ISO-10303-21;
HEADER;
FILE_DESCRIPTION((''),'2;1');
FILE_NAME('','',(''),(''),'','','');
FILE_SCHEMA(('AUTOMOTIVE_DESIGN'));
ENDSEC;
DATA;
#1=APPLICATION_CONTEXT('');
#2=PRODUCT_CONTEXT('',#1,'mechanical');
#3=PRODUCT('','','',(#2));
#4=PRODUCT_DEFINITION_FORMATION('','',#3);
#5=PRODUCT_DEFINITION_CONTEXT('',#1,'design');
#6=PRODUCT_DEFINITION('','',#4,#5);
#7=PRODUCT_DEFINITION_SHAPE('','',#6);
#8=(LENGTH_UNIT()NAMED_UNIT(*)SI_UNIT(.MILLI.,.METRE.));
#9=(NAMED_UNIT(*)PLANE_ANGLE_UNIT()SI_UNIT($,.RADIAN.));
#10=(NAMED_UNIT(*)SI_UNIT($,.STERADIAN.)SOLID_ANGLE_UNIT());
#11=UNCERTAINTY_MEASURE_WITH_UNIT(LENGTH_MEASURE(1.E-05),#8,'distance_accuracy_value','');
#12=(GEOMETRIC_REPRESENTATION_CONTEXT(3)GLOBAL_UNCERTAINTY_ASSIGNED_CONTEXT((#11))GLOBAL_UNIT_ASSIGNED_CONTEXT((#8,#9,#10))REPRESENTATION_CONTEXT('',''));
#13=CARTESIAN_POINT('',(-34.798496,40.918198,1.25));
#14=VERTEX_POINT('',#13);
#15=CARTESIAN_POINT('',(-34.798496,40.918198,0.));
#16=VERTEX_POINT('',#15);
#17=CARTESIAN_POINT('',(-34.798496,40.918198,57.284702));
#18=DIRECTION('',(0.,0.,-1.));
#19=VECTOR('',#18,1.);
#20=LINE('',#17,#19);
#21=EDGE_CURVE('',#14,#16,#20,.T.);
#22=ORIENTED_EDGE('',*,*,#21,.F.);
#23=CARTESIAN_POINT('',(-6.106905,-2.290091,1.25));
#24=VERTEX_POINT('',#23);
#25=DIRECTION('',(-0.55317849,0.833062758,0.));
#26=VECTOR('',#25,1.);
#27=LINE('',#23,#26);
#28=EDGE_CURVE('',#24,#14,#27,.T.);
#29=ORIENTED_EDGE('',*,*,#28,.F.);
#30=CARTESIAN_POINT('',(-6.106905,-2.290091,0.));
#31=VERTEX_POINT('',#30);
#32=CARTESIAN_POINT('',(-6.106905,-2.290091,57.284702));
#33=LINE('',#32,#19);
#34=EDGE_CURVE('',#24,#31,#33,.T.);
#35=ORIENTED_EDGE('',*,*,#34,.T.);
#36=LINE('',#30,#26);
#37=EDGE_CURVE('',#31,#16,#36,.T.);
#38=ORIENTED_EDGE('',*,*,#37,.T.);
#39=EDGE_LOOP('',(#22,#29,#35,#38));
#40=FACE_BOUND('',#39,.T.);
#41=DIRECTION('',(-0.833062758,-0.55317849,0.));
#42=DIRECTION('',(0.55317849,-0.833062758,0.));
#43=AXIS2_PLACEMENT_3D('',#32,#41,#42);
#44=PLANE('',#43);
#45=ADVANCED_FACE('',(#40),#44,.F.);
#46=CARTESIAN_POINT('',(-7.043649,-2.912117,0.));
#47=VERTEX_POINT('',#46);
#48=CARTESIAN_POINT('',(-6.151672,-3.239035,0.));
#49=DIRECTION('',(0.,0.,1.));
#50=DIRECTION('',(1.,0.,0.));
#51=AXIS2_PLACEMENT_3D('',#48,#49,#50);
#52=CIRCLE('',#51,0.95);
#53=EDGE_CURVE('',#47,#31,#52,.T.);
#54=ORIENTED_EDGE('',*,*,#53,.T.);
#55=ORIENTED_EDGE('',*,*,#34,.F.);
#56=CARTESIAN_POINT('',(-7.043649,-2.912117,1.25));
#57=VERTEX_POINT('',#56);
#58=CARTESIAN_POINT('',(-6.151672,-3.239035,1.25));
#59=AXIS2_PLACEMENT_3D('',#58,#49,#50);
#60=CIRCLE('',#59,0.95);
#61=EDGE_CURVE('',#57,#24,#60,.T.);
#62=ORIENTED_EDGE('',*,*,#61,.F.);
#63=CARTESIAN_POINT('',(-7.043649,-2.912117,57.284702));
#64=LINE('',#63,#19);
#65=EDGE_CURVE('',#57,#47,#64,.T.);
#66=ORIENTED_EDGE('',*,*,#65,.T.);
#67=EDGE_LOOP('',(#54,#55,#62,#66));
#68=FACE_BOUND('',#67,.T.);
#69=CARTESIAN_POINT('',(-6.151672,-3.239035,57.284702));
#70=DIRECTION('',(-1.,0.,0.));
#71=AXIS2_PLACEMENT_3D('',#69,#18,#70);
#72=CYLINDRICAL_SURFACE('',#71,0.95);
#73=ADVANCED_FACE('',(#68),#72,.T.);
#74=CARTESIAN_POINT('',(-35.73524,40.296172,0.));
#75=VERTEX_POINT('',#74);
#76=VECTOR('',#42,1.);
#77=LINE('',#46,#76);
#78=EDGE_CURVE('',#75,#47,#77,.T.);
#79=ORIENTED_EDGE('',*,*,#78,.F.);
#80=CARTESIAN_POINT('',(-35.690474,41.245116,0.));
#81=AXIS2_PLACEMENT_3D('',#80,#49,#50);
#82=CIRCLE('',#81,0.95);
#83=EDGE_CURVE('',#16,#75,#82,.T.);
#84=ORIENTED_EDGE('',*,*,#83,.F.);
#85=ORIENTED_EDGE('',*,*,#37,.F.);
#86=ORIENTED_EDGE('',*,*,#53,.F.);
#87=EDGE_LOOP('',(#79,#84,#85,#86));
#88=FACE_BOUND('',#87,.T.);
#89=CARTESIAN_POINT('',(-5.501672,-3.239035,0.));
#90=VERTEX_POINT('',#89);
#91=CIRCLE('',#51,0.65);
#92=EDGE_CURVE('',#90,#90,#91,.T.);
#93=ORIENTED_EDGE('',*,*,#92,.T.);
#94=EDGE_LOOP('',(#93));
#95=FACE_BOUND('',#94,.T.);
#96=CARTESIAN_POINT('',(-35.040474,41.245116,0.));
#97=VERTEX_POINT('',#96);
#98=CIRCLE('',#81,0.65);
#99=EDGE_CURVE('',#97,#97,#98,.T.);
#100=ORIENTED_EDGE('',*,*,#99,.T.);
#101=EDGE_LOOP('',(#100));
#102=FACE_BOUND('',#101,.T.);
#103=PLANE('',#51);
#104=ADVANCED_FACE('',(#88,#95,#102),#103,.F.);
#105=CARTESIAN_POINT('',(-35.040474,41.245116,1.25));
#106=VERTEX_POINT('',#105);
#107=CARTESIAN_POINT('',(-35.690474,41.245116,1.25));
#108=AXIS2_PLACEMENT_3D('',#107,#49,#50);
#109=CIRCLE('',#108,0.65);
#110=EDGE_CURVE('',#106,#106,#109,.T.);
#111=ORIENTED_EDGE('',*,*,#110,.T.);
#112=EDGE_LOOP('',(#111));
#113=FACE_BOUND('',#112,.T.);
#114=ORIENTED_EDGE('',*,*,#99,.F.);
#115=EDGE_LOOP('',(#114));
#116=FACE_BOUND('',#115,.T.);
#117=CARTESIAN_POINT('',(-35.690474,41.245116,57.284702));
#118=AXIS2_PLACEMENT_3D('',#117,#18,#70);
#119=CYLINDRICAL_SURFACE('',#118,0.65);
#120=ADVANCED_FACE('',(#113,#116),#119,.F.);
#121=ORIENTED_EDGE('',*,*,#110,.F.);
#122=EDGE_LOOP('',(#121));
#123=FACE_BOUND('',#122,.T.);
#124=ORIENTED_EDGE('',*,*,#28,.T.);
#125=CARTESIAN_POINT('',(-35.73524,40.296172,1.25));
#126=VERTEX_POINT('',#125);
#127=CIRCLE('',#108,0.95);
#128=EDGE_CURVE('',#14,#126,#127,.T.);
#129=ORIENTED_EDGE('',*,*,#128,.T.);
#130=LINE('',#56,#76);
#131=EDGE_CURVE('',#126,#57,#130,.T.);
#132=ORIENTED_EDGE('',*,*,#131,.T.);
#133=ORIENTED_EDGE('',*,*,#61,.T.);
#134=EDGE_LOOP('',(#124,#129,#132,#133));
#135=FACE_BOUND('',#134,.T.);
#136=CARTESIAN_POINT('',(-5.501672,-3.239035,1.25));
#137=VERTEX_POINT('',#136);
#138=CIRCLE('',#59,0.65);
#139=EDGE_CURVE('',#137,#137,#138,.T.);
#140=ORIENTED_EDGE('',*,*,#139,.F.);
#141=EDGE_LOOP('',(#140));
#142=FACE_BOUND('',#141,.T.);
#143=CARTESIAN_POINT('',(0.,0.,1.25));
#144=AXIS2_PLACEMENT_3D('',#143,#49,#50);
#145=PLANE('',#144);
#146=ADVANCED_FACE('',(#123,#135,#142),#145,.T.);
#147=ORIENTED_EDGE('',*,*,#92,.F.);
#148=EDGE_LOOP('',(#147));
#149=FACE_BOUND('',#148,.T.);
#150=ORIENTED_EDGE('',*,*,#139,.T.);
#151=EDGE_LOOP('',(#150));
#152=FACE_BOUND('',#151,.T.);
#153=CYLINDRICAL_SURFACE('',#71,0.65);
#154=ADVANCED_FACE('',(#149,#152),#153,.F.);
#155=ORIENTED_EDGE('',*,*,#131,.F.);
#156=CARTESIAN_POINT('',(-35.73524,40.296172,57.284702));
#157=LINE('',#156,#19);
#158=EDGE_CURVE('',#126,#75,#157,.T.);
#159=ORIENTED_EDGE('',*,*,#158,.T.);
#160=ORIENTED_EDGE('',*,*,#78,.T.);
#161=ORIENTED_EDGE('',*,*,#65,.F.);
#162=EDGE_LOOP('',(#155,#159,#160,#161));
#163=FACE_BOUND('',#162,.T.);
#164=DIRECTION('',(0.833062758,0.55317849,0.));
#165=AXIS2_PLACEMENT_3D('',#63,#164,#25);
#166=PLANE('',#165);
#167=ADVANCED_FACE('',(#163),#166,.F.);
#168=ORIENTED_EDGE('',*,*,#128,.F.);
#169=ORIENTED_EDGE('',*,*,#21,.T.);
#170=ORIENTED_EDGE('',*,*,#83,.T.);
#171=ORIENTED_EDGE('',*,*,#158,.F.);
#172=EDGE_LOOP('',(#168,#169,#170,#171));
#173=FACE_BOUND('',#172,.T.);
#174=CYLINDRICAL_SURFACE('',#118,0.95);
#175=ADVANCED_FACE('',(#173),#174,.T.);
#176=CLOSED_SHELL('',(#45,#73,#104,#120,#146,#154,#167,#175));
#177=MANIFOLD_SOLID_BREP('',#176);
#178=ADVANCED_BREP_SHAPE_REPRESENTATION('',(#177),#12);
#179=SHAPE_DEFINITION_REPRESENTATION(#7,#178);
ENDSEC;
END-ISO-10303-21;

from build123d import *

# Parameters (mm, degrees)
SKETCH1_R           = 0.65
BOSS_EXTRUDE1_DEPTH = 1.25


with BuildPart() as part:
    # Sketch1 → Boss-Extrude1 (new body)
    with BuildSketch(Plane.XY):
        with BuildLine():
            Line((-7.043649386, -2.912116644), (-35.735240036, 40.296171563))
            ThreePointArc((-35.735240036, 40.296171563), (-36.21599314, 42.036525841), (-34.798495879, 40.918197592))
            Line((-34.798495879, 40.918197592), (-6.106905228, -2.290090616))
            ThreePointArc((-6.106905228, -2.290090616), (-5.626152124, -4.030444894), (-7.043649386, -2.912116644))
        make_face()
        with Locations((-6.15167169, -3.239035274)):
            Circle(SKETCH1_R, mode=Mode.SUBTRACT)
        with Locations((-35.690473574, 41.245116221)):
            Circle(SKETCH1_R, mode=Mode.SUBTRACT)
    extrude(amount=BOSS_EXTRUDE1_DEPTH)


solid = part.part
